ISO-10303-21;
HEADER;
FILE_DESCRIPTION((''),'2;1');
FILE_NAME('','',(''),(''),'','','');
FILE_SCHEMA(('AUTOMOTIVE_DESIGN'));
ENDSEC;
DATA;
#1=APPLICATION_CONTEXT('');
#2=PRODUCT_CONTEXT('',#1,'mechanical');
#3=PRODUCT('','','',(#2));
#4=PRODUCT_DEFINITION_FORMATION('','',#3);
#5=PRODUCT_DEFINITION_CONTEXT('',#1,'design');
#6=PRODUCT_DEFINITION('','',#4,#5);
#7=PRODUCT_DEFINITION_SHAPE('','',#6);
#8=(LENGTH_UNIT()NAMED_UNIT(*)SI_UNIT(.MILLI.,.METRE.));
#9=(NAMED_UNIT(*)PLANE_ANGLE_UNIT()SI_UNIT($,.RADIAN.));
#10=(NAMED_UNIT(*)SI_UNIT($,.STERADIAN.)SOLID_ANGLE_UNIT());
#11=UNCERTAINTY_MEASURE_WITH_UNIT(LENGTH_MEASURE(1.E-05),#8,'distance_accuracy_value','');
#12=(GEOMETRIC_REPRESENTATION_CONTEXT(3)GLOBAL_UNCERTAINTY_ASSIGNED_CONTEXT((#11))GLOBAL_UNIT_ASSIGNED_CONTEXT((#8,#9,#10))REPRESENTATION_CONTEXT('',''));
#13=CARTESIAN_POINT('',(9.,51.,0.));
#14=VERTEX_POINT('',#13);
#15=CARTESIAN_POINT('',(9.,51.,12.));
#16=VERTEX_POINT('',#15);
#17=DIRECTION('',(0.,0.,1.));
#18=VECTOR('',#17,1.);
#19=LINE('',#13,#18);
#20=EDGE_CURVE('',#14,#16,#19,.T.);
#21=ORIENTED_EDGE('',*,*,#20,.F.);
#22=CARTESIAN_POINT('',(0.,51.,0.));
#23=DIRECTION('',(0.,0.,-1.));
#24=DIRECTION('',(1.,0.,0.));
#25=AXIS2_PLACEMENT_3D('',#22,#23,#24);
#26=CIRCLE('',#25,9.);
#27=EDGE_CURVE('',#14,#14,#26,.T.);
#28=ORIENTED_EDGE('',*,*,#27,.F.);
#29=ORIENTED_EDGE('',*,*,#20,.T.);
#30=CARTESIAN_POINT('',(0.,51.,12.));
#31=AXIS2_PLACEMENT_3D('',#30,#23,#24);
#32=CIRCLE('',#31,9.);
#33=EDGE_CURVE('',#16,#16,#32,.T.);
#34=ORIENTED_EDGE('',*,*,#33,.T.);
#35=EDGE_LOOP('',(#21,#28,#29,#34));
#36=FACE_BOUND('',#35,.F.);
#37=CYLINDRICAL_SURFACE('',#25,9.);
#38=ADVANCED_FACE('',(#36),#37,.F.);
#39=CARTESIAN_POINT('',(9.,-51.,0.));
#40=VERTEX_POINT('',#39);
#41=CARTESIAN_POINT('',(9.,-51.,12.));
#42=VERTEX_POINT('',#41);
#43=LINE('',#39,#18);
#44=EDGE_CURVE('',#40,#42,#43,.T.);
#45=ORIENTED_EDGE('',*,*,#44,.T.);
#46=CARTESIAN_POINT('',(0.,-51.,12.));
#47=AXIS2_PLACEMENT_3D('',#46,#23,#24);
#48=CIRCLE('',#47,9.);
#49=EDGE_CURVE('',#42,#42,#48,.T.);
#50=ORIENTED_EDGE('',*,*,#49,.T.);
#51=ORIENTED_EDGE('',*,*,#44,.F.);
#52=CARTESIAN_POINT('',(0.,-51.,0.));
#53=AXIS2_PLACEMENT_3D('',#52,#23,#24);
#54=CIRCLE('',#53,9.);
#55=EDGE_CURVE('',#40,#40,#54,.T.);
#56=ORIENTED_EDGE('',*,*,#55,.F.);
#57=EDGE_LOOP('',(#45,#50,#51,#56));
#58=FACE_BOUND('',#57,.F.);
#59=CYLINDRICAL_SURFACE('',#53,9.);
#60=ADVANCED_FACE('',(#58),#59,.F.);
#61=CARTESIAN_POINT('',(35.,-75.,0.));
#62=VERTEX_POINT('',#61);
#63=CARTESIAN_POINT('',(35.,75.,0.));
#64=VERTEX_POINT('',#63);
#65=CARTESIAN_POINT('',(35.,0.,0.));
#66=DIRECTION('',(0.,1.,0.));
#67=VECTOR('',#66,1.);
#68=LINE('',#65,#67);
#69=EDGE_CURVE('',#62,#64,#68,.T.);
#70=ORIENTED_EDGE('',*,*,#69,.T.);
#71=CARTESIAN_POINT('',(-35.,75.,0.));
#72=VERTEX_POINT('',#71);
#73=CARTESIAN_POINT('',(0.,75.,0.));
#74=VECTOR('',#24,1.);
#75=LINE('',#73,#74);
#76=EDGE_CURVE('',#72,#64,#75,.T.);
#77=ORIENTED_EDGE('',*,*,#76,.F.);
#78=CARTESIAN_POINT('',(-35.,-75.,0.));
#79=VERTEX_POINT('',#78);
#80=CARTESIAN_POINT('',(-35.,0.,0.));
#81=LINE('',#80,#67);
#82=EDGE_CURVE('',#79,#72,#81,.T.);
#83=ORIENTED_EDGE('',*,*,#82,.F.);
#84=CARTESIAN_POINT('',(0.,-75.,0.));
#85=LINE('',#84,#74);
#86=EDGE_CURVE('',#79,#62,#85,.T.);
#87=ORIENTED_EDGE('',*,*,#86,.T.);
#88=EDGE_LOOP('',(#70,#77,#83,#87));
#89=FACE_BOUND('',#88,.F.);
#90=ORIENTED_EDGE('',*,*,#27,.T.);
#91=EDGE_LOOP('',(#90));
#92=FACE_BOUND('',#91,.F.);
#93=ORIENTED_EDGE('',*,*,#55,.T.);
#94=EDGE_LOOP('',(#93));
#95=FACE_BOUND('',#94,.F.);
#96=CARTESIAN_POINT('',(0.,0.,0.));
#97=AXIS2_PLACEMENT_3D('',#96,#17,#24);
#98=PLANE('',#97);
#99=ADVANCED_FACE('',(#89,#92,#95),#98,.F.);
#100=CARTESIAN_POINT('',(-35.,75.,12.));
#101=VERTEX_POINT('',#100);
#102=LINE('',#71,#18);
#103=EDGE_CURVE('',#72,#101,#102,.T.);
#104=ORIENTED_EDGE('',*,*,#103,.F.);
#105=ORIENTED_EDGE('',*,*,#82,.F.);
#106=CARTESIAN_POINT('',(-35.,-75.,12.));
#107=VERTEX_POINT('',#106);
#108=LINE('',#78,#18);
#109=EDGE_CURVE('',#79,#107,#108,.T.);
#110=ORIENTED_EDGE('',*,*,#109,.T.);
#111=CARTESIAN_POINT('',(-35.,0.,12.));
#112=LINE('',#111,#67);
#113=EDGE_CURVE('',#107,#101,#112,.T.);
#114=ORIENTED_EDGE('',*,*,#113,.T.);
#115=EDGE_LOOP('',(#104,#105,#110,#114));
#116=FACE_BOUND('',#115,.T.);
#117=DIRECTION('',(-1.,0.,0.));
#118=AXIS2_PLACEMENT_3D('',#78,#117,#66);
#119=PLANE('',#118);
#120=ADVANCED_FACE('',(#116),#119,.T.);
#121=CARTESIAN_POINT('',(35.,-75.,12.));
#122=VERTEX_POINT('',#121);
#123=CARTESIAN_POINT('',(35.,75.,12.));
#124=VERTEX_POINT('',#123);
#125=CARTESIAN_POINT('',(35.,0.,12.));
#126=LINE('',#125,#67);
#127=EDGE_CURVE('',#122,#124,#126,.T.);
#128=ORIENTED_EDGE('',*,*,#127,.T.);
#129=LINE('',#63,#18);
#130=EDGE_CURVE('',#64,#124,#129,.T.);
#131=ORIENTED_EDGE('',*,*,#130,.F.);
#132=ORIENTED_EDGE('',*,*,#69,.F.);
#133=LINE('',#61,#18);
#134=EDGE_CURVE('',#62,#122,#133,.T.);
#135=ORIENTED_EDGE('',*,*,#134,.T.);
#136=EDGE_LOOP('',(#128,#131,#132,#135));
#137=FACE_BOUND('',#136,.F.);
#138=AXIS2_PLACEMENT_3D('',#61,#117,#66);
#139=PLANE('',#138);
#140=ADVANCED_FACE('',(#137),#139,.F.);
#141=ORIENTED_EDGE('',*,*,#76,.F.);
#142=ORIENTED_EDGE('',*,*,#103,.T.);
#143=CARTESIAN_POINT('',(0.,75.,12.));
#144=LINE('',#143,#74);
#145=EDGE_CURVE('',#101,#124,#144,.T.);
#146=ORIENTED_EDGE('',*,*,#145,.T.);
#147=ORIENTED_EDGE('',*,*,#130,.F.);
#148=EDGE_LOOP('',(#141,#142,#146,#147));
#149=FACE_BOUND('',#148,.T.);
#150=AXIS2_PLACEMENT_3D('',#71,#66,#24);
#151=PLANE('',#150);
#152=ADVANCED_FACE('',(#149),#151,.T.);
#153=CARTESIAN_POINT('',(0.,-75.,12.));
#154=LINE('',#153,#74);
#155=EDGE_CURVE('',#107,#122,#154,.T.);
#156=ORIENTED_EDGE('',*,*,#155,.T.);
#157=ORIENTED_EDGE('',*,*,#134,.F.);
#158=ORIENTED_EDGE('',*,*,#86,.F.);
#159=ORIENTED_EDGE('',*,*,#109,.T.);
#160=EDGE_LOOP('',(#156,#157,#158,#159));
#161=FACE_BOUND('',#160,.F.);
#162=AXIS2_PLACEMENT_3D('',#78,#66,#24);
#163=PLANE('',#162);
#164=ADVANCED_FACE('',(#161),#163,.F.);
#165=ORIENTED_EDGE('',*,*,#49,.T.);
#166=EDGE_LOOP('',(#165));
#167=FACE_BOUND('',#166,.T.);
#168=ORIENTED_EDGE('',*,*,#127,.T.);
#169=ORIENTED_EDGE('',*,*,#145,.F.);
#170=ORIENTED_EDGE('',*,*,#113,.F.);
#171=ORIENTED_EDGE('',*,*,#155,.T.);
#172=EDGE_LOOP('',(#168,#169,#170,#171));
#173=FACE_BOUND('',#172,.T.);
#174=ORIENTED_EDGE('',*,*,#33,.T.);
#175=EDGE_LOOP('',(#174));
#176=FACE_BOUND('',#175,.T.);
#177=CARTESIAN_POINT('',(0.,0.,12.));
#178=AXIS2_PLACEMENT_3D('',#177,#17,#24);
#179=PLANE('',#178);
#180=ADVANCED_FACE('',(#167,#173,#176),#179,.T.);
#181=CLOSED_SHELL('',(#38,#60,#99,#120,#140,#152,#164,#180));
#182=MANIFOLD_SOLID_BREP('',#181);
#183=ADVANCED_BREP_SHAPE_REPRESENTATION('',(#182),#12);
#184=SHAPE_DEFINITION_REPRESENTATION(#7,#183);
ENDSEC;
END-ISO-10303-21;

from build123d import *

# Parameters (mm, degrees)
F0_W     = 70
F0_H     = 150
F1_DEPTH = 12
F2_R     = 9
F3_DEPTH = 25


with BuildPart() as f1:
    # F0 (on Top) → F1 (new body)
    with BuildSketch(Plane.XY):
        Rectangle(F0_W, F0_H)
    extrude(amount=F1_DEPTH)

    # F2 (on face) → F3 (cut)
    with BuildSketch(Plane(origin=(0, 0, 0), x_dir=(1, 0, 0), z_dir=(0, 0, -1))):
        with Locations((0, 51)):
            Circle(F2_R)
        with Locations((0, -51)):
            Circle(F2_R)
    extrude(amount=-F3_DEPTH, mode=Mode.SUBTRACT)


solid = f1.part
